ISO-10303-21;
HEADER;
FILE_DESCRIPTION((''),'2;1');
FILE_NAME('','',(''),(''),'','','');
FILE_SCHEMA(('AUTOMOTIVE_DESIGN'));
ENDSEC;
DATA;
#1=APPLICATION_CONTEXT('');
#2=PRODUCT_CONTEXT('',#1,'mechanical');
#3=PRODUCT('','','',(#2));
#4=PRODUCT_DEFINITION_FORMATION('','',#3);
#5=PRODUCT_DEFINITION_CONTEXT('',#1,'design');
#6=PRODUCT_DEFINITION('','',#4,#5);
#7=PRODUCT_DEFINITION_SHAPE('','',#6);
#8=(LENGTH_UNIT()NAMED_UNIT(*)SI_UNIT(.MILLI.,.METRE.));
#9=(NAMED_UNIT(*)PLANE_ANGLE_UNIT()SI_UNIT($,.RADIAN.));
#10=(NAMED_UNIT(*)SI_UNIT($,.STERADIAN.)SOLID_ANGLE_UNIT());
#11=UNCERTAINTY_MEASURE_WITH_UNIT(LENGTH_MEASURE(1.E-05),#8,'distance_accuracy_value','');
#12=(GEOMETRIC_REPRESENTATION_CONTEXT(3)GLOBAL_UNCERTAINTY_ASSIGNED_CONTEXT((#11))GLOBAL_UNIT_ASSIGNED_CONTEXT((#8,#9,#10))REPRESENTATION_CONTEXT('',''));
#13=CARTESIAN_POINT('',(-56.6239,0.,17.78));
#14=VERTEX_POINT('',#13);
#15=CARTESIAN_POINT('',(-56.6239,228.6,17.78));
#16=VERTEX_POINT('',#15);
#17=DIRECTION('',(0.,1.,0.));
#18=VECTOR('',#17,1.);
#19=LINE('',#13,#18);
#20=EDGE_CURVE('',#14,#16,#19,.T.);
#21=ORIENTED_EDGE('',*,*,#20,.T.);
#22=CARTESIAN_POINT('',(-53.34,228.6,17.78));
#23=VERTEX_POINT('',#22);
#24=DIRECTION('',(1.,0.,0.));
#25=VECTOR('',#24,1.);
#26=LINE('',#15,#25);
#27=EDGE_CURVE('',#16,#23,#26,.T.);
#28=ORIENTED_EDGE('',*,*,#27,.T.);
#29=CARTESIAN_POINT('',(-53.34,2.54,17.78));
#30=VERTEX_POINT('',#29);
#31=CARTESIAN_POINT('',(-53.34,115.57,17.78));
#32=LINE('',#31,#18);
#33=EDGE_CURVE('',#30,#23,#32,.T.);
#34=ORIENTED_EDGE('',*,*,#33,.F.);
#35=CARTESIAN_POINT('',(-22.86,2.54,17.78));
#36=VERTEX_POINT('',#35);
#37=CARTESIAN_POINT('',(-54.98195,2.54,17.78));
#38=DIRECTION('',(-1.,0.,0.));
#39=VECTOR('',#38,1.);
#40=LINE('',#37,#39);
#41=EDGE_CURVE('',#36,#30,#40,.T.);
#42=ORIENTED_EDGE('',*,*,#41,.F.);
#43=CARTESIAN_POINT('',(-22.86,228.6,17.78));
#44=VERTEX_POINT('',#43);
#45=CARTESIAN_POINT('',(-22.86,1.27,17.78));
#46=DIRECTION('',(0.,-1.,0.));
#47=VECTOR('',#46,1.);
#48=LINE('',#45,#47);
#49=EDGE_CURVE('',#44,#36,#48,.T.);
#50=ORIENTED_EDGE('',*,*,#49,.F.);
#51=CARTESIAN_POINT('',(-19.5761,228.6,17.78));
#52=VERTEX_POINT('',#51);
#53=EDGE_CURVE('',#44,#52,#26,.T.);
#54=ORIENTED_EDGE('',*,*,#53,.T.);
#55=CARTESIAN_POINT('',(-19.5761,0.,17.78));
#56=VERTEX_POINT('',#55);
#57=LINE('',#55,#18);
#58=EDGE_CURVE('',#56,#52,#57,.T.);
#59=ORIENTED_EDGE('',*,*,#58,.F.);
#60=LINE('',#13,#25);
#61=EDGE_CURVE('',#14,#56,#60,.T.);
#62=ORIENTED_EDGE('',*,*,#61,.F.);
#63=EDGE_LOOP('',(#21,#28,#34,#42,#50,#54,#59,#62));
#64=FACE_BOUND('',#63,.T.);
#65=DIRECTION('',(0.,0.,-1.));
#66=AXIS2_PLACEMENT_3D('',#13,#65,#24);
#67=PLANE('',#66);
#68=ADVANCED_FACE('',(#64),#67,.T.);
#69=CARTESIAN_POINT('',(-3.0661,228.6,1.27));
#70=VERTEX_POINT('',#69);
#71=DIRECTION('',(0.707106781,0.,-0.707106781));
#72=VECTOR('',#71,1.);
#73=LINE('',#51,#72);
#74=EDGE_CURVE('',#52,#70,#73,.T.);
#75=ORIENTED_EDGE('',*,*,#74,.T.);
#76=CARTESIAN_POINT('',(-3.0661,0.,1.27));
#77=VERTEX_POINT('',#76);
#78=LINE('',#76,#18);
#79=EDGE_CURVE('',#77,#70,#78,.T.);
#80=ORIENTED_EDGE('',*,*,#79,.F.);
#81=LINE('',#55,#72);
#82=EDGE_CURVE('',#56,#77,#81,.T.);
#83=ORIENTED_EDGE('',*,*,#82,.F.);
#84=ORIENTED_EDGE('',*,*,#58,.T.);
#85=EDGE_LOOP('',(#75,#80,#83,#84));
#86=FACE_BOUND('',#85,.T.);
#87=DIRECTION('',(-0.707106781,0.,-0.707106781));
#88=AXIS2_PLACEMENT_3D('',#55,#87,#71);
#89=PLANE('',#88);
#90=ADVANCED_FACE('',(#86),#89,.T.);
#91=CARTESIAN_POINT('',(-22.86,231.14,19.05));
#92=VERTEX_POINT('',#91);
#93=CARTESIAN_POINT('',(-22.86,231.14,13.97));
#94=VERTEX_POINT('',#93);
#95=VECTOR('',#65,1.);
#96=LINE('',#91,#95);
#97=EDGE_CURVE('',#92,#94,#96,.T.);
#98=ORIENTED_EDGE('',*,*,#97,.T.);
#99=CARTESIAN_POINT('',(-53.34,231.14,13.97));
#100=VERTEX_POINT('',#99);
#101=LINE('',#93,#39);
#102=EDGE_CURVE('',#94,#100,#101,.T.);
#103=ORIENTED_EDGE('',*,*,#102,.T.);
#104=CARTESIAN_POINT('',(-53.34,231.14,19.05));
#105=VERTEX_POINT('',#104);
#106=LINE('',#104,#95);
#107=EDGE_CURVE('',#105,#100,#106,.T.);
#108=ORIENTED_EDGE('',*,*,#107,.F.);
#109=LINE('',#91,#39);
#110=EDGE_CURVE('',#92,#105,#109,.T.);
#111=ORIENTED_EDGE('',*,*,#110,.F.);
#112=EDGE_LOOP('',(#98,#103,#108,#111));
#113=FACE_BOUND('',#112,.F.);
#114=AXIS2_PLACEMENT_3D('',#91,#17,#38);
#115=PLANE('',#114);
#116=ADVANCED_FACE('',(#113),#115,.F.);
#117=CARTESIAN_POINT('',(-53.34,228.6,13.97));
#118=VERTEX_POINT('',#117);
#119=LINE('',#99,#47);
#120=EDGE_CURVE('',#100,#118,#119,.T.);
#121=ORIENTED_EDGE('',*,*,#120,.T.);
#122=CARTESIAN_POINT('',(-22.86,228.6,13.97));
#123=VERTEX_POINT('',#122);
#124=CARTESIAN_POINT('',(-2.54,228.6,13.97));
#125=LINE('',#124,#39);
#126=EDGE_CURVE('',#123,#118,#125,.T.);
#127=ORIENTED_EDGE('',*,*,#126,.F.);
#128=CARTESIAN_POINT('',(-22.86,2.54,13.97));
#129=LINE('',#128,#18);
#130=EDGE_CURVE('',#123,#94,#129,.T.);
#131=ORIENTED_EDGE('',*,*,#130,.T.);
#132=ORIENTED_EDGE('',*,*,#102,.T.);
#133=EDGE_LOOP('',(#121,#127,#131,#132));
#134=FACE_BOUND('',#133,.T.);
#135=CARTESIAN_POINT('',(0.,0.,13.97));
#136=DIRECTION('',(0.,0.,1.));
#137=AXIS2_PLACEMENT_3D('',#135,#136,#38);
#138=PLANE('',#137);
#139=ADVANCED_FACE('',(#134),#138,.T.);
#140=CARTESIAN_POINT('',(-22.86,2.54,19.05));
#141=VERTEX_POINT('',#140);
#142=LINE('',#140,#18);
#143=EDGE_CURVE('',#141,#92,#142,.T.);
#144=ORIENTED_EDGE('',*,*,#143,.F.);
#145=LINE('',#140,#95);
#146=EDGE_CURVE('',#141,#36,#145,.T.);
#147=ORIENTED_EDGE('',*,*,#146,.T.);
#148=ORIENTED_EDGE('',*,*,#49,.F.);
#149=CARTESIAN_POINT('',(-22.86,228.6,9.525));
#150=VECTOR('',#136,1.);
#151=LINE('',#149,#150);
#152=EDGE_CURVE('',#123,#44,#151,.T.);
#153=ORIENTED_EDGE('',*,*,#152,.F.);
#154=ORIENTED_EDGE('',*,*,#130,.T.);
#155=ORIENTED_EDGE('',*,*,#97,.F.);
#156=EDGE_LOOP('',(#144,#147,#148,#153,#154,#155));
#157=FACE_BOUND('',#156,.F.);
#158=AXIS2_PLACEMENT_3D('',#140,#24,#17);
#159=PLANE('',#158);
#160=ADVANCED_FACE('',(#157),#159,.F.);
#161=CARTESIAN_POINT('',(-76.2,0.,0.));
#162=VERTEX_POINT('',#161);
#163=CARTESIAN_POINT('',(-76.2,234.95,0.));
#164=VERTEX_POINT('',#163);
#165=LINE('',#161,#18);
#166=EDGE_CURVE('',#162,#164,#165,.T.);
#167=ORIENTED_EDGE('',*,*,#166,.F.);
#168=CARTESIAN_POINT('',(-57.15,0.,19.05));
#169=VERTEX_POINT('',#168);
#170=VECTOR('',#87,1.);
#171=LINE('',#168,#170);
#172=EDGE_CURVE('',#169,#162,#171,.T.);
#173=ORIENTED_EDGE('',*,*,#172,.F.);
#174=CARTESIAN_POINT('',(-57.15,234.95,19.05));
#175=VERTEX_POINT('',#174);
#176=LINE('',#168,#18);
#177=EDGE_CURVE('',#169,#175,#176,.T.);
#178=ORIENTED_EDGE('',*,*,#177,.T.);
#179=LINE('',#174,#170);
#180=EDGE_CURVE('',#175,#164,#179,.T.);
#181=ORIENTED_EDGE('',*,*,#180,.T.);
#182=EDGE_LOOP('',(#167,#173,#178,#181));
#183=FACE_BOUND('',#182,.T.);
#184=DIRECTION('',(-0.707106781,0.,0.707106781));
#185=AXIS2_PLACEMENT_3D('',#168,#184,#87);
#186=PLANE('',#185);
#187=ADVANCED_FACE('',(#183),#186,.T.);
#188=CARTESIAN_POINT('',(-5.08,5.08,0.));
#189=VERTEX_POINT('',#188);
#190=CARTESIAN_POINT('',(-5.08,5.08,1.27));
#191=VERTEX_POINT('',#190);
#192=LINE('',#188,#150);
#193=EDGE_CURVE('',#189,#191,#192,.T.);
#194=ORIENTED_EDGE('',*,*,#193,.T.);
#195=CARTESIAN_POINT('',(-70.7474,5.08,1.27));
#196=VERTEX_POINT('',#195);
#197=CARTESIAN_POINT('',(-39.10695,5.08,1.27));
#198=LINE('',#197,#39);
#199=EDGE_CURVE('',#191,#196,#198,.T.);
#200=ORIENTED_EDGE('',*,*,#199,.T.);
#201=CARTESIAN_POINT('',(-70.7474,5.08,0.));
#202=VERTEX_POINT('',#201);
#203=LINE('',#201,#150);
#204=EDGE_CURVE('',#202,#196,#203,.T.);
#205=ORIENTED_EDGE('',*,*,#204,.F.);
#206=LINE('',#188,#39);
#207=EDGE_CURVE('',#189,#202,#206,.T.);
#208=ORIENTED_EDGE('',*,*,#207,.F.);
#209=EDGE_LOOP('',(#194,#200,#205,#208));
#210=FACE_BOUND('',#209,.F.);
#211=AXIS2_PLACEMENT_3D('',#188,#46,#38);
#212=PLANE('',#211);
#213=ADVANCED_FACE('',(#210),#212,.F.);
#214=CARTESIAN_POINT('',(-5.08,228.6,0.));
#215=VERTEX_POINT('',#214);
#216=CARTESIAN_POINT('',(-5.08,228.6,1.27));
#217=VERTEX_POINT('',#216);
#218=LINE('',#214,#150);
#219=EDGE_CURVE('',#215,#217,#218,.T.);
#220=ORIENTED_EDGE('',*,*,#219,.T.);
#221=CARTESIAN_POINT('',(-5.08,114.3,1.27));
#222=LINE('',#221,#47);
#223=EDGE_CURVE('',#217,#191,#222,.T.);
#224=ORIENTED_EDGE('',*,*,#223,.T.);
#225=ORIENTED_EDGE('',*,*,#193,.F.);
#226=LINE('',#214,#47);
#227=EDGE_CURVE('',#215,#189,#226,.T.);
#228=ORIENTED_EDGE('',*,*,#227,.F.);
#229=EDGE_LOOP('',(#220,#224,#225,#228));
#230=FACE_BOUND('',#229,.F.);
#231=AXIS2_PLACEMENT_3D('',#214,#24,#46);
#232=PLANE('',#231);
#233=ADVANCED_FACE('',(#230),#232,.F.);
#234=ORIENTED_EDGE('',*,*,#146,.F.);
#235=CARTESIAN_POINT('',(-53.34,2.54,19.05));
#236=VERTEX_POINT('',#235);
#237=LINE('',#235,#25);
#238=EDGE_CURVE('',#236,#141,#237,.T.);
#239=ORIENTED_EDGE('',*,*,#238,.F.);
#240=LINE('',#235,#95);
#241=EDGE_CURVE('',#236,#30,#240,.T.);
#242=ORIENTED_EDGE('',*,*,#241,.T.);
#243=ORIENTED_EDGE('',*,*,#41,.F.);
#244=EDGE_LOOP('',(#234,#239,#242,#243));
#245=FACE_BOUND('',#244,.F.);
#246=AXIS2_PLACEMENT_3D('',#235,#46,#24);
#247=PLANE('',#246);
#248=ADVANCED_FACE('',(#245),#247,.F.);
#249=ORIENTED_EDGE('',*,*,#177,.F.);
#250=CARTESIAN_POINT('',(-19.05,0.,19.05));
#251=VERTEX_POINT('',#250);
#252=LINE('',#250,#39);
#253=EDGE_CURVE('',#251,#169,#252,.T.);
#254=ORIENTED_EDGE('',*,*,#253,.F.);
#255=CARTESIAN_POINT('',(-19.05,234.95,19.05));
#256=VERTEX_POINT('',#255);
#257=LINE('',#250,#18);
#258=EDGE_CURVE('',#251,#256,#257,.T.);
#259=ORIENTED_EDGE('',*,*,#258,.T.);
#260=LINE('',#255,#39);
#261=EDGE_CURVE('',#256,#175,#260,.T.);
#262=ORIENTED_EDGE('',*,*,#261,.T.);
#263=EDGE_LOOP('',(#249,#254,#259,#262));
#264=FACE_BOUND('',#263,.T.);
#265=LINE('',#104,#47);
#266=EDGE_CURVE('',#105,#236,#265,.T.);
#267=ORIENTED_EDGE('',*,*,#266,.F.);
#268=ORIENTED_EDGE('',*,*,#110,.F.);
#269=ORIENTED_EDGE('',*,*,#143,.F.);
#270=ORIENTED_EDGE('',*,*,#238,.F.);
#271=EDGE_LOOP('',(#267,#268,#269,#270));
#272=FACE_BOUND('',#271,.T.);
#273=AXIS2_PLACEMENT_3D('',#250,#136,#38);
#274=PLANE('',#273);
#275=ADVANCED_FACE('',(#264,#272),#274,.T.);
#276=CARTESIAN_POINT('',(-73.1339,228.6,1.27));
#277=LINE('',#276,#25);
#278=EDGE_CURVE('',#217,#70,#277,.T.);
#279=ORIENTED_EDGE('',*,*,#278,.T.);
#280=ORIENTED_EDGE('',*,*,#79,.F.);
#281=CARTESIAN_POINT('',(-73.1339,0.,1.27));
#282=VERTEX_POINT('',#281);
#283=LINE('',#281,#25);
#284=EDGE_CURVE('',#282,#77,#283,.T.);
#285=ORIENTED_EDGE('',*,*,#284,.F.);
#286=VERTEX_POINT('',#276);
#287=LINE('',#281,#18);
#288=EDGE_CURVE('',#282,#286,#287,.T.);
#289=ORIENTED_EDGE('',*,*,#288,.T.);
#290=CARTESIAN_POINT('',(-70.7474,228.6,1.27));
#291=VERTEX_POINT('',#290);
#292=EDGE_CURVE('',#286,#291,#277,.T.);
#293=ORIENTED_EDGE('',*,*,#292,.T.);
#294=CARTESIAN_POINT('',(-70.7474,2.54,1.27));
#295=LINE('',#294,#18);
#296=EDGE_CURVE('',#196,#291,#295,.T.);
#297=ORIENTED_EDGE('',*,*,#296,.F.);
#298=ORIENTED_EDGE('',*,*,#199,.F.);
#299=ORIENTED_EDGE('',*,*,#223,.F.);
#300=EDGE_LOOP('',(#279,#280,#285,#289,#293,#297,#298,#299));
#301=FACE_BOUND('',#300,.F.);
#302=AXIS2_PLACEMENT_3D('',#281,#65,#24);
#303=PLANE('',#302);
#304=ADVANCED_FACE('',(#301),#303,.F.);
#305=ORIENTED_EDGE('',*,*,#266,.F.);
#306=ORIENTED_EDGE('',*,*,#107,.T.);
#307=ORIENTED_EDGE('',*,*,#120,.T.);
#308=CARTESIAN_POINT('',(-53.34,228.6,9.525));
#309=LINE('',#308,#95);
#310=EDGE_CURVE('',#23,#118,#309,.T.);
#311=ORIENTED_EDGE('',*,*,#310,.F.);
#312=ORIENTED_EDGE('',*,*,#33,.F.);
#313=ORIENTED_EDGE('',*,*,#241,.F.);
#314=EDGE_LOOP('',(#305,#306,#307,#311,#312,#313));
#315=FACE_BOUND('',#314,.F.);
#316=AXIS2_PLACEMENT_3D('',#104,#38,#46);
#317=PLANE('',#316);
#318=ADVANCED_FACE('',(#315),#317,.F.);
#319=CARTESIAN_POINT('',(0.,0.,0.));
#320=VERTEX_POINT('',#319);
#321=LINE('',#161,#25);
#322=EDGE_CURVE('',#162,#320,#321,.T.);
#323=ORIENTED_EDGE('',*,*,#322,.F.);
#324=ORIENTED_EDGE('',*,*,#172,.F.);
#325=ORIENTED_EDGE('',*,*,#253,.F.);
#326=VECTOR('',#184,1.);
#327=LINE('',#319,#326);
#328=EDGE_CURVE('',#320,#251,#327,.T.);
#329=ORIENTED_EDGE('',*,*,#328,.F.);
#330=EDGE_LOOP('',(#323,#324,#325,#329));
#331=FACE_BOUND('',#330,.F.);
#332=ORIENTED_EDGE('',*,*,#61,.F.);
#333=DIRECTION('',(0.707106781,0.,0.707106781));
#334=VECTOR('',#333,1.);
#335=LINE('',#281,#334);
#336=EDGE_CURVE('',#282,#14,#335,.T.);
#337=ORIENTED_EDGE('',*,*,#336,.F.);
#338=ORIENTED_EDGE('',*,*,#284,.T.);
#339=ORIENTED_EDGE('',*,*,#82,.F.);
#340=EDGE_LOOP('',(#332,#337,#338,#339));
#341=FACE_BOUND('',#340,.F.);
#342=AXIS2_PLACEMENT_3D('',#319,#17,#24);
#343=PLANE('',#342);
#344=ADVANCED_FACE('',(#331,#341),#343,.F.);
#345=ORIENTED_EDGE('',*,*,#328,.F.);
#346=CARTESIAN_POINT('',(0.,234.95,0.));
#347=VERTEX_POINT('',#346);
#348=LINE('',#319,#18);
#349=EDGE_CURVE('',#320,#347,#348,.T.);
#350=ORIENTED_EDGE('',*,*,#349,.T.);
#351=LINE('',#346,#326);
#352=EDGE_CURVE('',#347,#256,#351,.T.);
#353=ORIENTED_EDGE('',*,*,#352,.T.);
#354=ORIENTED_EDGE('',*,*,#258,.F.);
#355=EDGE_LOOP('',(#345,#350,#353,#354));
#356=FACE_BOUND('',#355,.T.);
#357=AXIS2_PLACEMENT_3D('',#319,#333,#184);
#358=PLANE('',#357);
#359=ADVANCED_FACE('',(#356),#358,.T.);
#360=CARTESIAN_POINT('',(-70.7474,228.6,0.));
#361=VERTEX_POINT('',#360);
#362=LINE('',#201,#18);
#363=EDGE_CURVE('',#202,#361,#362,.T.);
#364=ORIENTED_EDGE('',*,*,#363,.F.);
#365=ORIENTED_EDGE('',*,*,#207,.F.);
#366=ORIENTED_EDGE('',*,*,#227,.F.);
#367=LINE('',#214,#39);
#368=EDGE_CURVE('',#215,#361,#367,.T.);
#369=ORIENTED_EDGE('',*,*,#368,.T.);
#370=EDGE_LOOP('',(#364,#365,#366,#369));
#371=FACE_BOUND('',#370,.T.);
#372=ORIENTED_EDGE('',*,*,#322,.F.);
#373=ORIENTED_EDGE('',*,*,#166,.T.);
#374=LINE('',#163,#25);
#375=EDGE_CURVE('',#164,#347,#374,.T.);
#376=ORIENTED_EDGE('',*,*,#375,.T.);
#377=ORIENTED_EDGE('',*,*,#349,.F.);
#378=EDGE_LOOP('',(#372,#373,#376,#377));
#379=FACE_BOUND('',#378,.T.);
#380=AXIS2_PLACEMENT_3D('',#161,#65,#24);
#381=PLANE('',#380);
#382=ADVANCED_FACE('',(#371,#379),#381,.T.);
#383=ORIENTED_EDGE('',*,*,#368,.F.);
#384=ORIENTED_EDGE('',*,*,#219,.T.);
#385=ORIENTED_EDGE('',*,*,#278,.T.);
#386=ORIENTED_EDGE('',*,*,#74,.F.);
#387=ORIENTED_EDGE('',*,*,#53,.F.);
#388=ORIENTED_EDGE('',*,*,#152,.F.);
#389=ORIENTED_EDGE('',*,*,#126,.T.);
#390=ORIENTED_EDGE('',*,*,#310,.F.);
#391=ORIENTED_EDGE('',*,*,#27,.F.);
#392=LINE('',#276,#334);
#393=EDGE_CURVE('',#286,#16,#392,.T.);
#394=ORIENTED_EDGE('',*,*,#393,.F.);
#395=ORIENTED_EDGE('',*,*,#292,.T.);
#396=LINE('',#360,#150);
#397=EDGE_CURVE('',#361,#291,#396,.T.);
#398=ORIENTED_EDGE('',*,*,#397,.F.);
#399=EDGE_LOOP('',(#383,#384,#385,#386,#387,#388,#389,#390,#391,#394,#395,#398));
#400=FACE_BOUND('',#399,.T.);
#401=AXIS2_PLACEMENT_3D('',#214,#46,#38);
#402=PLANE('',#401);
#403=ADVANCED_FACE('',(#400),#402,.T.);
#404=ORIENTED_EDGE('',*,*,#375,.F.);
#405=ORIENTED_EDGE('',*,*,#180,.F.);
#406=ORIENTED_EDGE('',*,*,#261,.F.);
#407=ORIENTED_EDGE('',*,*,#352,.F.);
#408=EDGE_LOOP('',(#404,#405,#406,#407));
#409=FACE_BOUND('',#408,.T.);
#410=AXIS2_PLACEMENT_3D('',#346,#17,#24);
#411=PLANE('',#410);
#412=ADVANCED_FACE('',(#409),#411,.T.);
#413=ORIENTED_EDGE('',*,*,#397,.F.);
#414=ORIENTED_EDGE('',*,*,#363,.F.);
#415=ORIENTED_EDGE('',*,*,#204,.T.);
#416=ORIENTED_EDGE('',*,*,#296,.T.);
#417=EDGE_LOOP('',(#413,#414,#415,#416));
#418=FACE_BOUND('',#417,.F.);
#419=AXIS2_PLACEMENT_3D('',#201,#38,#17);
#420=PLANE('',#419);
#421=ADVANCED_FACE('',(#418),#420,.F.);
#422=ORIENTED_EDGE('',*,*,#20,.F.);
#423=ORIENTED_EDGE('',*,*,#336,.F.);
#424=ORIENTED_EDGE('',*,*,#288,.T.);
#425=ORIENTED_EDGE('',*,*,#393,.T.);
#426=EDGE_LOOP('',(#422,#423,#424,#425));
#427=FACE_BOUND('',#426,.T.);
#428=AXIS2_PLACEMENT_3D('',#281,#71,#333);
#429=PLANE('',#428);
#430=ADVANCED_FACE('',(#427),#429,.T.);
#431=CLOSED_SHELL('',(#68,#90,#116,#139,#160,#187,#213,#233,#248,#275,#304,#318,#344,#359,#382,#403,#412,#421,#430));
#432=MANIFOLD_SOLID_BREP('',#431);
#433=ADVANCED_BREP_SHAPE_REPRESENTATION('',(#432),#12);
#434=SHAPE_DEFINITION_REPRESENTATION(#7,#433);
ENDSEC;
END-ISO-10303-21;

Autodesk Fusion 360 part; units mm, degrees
sketch "top hopper side" plane through (0, 0, 0) normal (0, 1, 0) x (1, 0, 0)
  line L0 (-76.2, 0) -> (0, 0)
  line L1 (0, 0) -> (-19.05, -19.05)
  line L2 (-19.05, -19.05) -> (-57.15, -19.05)
  line L3 (-57.15, -19.05) -> (-76.2, 0)
  dimension "d12" = 76.2
  dimension "d13" = 38.1
  dimension "d14" = 45
extrude "Extrude3" add sketch "top hopper side" along normal blind 234.95
sketch "side cutout" plane through (0, 0, 0) normal (0, -1, 0) x (1, 0, 0)
  line L0 (-19.05, 19.05) -> (-57.15, 19.05)
  line L1 (-57.15, 19.05) -> (-76.2, 0)
  line L2 (-76.2, 0) -> (0, 0)
  line L3 (0, 0) -> (-19.05, 19.05)
  line L4 (-76.2, 0) -> (-57.15, 19.05)
  line L5 (-19.05, 19.05) -> (0, 0)
  line L6 (-76.2, 0) -> (0, 0)
  line L7 (-57.15, 19.05) -> (-19.05, 19.05)
  line L8 (-73.1339, 1.27) -> (-3.0661, 1.27)
  line L9 (-19.5761, 17.78) -> (-3.0661, 1.27)
  line L10 (-56.6239, 17.78) -> (-19.5761, 17.78)
  line L11 (-73.1339, 1.27) -> (-56.6239, 17.78)
  dimension "d17" = 1.27
extrude "Extrude4" cut sketch "side cutout" against normal blind 228.6 contours L8 L9 L10 L11
sketch "bottom cutout" plane through (0, 0, 0) normal (0, 0, -1) x (1, 0, 0)
  line L0 (0, 0) -> (-76.2, 0)
  line L1 (-76.2, 0) -> (-76.2, -234.95)
  line L2 (-76.2, -234.95) -> (0, -234.95)
  line L3 (0, -234.95) -> (0, 0)
  line L4 (-5.08, -5.08) -> (-70.7474, -5.08)
  line L5 (-70.7474, -5.08) -> (-70.7474, -228.6)
  line L6 (-5.08, -228.6) -> (-5.08, -5.08)
  line L7 (-5.08, -228.6) -> (-70.7474, -228.6)
  dimension "d20" = 223.52
  dimension "d21" = 65.6674
  dimension "d22" = 5.08
  dimension "d23" = 5.08
extrude "Extrude5" cut sketch "bottom cutout" against normal blind 2.54 contours L4 L5 L6 L7
sketch "top cutout" plane through (0, 0, 19.05) normal (0, 0, 1) x (-1, 0, 0)
  line L0 (57.15, 0) -> (19.05, 0)
  line L1 (19.05, 0) -> (19.05, -234.95)
  line L2 (19.05, -234.95) -> (57.15, -234.95)
  line L3 (57.15, -234.95) -> (57.15, 0)
  line L4 (53.34, -2.54) -> (22.86, -2.54)
  line L5 (22.86, -2.54) -> (22.86, -231.14)
  line L6 (22.86, -231.14) -> (53.34, -231.14)
  line L7 (53.34, -231.14) -> (53.34, -2.54)
  dimension "d26" = 228.6
  dimension "d27" = 30.48
  dimension "d28" = 3.81
  dimension "d29" = 2.54
extrude "Extrude6" cut sketch "top cutout" against normal blind 5.08 contours L4 L5 L6 L7
